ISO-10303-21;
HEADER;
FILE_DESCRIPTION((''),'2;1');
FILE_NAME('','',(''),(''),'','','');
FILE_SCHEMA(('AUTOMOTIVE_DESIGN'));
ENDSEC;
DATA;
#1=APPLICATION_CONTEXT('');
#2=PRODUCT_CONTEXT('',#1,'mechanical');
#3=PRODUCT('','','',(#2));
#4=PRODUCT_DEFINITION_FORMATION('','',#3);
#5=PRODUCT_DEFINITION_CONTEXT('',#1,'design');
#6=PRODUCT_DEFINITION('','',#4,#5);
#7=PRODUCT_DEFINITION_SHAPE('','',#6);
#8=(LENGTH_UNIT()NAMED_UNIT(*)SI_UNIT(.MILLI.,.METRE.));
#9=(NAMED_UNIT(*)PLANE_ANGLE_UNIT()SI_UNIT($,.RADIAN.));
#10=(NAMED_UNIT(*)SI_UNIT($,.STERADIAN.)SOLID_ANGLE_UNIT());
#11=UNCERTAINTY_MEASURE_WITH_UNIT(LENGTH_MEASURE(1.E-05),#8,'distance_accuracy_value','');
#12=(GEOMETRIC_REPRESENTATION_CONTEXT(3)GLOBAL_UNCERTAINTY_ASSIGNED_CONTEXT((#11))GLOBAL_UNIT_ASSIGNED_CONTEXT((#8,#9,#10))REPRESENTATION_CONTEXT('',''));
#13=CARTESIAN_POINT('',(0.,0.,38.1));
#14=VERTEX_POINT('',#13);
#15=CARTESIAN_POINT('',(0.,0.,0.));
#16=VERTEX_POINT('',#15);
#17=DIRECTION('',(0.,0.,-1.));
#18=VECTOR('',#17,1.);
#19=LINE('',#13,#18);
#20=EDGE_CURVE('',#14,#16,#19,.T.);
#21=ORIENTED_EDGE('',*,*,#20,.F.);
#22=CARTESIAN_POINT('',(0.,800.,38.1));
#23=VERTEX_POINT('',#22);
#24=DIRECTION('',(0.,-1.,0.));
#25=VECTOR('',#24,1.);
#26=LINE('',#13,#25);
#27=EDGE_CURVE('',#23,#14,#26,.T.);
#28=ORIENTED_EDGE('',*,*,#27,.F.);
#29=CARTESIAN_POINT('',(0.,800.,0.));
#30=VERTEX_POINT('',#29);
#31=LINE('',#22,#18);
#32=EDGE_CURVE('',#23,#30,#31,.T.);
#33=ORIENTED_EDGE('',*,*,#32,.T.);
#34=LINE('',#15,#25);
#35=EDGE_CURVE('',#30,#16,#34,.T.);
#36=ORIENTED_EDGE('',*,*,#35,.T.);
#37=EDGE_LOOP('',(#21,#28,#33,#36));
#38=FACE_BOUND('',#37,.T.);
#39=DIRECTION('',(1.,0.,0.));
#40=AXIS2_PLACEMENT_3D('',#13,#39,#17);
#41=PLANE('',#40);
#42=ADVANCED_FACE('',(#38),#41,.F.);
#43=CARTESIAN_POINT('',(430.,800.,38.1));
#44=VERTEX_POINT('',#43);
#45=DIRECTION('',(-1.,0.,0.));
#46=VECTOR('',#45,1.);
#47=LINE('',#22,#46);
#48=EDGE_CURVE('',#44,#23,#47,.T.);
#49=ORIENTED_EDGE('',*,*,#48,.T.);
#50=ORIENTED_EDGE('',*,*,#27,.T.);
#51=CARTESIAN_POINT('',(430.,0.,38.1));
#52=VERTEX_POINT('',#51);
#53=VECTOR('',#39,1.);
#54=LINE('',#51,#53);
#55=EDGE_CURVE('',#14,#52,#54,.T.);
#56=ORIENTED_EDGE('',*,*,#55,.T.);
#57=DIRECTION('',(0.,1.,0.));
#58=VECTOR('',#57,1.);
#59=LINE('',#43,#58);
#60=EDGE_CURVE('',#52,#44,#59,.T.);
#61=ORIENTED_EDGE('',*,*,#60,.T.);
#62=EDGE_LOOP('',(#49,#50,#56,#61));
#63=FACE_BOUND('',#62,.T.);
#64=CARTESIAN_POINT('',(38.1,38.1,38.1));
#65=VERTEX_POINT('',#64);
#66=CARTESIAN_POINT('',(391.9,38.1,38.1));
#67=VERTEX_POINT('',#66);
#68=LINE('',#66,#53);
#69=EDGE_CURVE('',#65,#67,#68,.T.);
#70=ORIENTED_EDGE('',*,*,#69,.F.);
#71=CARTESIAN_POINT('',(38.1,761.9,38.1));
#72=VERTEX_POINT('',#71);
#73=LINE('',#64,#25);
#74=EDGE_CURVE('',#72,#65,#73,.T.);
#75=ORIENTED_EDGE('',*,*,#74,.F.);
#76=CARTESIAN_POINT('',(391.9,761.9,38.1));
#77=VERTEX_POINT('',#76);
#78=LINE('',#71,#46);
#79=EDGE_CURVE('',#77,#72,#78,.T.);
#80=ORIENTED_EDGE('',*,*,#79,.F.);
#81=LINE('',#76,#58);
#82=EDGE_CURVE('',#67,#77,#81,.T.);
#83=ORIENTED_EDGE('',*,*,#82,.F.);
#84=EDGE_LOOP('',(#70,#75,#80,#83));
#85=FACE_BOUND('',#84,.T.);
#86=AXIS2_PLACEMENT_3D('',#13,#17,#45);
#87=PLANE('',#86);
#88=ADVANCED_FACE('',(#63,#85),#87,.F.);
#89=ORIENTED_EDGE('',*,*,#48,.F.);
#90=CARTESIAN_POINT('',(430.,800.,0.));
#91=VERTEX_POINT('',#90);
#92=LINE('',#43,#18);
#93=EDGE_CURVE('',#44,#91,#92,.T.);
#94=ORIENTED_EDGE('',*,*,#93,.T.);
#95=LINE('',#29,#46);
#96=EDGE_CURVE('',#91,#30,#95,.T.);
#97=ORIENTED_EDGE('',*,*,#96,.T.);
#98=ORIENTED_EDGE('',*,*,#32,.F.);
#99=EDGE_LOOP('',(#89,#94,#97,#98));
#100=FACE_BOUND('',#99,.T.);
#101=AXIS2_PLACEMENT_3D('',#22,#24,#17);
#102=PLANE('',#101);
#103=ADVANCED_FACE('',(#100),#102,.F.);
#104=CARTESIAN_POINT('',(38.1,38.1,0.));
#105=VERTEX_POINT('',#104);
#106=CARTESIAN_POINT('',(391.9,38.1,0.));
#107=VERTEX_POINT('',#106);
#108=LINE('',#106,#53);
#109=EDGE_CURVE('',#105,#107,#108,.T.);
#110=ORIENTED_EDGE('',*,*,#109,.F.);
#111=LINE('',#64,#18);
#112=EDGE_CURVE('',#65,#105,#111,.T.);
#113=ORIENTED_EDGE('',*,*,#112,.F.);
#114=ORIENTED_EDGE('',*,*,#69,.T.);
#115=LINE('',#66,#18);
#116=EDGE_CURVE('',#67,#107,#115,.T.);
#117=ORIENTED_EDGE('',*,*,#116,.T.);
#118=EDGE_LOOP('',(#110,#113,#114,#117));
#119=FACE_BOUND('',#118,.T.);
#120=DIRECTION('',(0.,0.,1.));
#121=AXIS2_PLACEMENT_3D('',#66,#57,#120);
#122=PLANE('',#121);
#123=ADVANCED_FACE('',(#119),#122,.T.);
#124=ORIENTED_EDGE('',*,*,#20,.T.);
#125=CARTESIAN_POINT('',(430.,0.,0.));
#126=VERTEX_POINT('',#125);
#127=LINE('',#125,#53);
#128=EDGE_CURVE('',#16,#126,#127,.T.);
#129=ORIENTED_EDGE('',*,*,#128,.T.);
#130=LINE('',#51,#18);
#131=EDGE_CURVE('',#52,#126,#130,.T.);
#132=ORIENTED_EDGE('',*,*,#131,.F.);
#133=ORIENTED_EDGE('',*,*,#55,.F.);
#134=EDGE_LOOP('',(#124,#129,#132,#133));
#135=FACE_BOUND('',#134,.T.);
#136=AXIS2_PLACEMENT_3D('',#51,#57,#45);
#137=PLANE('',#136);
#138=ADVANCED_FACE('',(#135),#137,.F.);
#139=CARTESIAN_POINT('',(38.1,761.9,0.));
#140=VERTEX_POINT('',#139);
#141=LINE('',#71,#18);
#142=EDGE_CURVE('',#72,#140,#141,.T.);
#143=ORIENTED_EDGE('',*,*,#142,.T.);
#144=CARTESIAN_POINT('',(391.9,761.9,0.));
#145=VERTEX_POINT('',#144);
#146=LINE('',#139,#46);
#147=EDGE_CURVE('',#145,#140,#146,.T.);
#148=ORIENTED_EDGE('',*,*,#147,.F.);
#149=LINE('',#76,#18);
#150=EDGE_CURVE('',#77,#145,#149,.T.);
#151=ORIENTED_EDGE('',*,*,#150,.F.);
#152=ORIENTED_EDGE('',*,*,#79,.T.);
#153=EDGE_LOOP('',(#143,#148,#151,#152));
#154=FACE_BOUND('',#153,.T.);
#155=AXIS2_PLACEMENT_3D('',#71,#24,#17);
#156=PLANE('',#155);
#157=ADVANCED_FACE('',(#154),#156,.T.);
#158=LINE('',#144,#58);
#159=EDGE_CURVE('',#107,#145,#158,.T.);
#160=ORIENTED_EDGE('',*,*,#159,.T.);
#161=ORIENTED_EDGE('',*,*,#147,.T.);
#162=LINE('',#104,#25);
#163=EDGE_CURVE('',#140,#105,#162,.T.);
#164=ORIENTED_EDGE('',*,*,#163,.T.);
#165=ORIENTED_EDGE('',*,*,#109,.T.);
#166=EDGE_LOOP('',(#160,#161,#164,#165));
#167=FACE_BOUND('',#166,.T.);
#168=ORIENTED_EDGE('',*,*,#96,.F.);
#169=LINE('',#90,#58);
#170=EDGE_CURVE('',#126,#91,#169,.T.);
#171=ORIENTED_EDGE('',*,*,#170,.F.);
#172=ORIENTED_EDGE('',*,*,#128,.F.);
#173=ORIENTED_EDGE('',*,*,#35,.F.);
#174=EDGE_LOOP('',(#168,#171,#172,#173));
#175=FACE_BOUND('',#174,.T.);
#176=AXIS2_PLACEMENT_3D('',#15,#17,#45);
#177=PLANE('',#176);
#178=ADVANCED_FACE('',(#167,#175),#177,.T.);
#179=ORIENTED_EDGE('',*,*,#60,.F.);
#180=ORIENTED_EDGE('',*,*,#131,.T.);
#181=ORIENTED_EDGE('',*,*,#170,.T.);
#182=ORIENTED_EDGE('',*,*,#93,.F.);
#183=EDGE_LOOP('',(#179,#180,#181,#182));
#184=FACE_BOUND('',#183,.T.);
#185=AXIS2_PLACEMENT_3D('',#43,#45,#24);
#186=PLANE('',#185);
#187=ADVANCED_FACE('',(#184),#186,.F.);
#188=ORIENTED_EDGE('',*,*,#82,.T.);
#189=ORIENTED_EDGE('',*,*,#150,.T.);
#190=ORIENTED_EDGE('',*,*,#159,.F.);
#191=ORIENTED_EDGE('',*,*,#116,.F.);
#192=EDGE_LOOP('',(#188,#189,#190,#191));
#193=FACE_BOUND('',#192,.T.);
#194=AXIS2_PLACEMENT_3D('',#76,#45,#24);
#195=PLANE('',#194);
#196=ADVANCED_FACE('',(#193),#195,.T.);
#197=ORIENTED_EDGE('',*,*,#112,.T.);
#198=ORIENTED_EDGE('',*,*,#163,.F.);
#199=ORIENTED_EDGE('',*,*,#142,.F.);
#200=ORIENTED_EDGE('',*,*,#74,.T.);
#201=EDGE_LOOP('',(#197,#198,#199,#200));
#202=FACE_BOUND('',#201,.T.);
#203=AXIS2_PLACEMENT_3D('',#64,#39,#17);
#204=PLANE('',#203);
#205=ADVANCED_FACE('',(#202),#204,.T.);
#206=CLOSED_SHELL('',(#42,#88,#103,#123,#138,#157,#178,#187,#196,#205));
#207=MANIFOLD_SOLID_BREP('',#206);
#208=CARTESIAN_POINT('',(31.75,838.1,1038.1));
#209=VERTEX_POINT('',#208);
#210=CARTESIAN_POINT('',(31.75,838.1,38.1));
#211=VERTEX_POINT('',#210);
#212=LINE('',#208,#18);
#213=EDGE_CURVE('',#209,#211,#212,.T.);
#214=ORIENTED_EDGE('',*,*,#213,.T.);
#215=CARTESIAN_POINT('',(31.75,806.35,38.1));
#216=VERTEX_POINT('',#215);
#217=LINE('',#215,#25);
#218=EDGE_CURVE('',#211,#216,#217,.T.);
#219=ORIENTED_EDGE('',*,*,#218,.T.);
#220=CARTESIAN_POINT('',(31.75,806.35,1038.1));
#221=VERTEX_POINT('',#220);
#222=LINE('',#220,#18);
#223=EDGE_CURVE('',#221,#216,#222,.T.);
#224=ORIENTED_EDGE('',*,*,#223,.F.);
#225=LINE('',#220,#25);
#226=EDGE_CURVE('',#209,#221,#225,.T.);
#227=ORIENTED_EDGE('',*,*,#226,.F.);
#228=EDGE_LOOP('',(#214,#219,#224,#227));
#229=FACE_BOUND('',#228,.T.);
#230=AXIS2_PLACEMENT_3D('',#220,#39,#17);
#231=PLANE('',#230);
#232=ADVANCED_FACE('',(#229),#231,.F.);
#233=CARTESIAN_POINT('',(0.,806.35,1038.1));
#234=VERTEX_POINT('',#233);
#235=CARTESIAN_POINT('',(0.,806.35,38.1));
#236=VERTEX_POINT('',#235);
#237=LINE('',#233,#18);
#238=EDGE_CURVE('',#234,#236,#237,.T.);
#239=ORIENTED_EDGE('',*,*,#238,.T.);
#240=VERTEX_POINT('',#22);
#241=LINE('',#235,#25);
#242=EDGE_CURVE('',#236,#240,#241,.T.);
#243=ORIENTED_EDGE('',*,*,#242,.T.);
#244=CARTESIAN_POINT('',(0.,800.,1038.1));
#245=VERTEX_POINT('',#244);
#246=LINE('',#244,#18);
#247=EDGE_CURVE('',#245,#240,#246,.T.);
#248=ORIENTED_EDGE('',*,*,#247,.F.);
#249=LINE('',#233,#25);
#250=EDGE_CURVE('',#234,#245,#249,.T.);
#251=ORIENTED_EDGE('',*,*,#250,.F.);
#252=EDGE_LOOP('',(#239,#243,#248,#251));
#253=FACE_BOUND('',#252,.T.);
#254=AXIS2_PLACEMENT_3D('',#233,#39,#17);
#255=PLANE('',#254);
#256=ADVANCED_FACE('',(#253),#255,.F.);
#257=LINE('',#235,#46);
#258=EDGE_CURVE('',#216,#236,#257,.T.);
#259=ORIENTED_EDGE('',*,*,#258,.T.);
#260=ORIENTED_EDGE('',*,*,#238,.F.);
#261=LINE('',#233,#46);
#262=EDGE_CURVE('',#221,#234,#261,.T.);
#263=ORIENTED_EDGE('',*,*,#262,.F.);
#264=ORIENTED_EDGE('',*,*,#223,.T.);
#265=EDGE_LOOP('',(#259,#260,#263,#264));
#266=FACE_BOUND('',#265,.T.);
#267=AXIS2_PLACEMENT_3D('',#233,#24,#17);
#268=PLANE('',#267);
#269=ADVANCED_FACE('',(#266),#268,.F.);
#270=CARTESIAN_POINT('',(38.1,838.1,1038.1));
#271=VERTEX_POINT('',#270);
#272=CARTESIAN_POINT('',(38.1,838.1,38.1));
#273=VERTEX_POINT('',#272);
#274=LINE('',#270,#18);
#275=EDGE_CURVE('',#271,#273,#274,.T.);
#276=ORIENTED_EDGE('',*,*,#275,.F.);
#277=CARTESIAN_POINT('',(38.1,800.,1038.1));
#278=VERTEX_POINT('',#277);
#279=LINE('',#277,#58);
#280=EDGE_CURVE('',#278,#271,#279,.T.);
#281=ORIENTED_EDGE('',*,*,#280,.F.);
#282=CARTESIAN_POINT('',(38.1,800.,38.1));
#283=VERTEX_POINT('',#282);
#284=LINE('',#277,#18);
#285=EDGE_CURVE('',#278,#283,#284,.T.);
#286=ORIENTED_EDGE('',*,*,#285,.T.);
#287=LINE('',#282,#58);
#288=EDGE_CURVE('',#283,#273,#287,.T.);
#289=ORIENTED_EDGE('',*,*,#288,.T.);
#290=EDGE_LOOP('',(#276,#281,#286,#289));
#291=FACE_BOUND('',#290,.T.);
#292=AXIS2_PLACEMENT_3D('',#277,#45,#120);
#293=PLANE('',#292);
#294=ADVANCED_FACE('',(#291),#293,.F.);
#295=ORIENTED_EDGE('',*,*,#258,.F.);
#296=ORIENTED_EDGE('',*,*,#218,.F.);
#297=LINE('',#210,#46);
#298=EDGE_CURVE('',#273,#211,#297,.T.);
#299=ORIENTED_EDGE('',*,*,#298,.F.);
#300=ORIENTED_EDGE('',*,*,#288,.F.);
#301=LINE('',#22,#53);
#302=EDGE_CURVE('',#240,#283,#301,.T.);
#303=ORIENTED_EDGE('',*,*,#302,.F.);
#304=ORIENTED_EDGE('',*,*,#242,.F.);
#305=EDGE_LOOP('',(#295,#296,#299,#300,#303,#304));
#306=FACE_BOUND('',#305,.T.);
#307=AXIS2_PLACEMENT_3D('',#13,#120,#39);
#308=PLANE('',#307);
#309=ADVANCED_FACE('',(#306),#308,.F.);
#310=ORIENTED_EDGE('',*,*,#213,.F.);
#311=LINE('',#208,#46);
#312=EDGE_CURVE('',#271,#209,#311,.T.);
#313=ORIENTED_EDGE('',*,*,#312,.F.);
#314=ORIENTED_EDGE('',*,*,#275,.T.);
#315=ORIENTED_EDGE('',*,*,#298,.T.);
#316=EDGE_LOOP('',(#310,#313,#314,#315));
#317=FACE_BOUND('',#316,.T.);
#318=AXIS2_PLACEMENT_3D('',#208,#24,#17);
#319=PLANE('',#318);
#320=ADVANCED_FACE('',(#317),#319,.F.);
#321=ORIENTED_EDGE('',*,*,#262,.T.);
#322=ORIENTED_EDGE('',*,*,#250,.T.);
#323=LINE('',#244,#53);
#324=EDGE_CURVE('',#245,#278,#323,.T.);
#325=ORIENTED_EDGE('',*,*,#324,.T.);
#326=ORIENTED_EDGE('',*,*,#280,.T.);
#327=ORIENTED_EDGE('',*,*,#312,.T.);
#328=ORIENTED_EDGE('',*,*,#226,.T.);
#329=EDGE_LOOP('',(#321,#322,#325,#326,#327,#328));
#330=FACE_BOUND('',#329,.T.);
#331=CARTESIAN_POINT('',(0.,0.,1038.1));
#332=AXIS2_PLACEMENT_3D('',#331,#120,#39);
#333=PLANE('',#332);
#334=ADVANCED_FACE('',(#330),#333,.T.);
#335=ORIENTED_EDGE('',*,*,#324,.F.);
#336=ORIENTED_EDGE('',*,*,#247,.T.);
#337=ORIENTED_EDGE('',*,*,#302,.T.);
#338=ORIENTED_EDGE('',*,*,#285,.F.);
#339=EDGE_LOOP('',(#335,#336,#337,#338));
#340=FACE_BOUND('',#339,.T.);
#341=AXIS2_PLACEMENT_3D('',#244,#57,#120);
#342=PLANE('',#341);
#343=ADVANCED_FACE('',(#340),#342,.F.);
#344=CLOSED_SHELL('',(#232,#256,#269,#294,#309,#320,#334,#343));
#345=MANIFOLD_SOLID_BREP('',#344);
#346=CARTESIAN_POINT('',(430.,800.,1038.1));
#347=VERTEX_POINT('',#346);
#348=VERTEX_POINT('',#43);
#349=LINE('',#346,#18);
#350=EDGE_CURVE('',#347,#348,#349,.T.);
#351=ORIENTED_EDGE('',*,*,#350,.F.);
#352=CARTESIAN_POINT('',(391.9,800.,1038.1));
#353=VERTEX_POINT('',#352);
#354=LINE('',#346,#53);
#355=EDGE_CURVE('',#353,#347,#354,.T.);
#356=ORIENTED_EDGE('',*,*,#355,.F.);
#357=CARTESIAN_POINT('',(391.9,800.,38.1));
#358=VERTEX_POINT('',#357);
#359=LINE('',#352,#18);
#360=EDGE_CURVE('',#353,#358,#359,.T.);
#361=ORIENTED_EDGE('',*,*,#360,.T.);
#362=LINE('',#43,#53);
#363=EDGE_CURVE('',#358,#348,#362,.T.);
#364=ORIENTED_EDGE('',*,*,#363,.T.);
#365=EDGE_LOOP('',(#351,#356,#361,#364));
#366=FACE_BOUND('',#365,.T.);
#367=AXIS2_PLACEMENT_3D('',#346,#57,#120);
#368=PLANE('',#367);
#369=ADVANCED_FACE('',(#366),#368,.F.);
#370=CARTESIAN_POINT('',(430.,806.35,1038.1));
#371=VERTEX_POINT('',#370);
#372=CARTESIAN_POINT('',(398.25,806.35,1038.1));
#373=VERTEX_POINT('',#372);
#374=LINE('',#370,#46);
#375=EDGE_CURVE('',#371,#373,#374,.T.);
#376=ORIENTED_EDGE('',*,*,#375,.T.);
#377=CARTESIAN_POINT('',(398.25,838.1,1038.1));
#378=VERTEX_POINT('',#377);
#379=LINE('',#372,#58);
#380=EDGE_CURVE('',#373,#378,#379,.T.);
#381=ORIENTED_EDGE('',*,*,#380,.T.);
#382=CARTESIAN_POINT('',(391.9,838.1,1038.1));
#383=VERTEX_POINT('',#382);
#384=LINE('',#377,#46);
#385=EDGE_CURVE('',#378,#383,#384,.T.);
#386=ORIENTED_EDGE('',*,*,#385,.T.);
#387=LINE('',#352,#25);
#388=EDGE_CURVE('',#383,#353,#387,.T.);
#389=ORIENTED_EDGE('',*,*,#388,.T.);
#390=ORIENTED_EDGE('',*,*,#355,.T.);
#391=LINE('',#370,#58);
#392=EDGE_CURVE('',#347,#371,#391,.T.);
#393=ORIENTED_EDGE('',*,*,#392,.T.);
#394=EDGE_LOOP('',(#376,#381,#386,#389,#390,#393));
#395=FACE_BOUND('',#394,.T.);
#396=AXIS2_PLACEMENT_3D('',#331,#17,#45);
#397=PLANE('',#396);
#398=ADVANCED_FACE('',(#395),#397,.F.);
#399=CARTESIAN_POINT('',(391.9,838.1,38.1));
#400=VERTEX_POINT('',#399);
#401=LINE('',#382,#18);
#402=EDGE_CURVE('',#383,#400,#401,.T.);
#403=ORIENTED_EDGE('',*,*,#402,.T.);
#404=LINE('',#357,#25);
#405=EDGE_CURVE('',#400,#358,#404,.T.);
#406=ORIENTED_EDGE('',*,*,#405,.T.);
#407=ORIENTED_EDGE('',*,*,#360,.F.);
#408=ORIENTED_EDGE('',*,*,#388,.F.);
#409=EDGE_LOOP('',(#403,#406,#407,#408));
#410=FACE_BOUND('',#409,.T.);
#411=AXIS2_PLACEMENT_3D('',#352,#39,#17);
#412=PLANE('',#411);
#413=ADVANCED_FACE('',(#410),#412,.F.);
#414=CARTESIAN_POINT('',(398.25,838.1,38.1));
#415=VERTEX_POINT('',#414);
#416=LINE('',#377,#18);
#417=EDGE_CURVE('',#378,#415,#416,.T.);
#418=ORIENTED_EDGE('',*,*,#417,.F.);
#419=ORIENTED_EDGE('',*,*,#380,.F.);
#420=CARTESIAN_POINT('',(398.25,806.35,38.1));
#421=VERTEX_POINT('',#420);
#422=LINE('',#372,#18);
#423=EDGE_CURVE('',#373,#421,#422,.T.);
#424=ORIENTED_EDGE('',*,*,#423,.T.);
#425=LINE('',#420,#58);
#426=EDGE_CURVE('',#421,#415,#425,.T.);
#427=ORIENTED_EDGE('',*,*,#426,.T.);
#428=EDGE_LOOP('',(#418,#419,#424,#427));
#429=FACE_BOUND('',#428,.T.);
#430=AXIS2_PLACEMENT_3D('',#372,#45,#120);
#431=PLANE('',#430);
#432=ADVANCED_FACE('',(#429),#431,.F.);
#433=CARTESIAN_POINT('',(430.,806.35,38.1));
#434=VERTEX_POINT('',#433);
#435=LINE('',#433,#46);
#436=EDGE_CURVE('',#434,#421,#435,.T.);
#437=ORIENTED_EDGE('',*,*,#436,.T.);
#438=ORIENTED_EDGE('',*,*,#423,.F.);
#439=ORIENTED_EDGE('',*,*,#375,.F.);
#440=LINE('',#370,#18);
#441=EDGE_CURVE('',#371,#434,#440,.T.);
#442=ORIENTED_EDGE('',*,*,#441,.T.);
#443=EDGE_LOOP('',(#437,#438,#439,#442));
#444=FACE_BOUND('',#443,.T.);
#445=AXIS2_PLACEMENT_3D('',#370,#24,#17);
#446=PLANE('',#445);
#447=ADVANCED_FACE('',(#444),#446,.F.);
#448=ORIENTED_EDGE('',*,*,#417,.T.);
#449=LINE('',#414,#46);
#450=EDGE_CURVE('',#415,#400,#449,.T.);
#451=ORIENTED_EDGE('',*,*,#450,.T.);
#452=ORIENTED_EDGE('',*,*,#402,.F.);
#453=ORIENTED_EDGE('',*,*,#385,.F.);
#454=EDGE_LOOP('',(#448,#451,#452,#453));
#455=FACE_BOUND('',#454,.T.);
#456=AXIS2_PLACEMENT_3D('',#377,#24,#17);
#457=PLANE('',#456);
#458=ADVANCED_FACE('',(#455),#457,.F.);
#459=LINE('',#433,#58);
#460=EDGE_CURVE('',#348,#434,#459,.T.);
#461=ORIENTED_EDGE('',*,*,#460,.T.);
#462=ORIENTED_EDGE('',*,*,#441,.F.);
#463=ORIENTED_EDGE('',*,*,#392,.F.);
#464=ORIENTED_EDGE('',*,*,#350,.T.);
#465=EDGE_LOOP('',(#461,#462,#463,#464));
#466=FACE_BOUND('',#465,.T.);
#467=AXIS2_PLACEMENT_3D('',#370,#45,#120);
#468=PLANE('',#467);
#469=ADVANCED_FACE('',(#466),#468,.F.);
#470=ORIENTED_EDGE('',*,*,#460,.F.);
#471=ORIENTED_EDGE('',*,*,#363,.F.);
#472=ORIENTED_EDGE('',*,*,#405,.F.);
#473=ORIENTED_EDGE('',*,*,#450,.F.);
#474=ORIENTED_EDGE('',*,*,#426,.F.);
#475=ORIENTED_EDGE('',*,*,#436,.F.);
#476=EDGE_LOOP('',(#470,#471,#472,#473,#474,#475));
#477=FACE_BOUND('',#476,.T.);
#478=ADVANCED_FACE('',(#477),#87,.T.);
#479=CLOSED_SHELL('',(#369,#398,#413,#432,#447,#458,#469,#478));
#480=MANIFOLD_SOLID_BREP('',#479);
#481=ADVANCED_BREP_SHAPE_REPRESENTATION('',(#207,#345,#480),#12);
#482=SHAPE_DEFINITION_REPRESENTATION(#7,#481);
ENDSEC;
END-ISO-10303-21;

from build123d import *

# Parameters (mm, degrees)
CROQUIS1_W                = 430
CROQUIS1_H                = 800
CROQUIS1_W_2              = 353.8
CROQUIS1_H_2              = 723.8
SALIENTE_EXTRUIR1_DEPTH   = 38.1
SALIENTE_EXTRUIR2_DEPTH   = 1000
SALIENTE_EXTRUIR2_2_DEPTH = 1000


with BuildPart() as part:
    # Croquis1 → Saliente-Extruir1 (new body)
    with BuildSketch(Plane.XY):
        with Locations((215, 400)):
            Rectangle(CROQUIS1_W, CROQUIS1_H)
        with Locations((215, 400)):
            Rectangle(CROQUIS1_W_2, CROQUIS1_H_2, mode=Mode.SUBTRACT)
    extrude(amount=SALIENTE_EXTRUIR1_DEPTH)


with BuildPart() as body_2:
    # Croquis3 → Saliente-Extruir2 (new body)
    with BuildSketch(Plane.XY.offset(38.1)):
        Polygon((0, 800), (38.1, 800), (38.1, 838.1), (31.75, 838.1), (31.75, 806.35), (0, 806.35), align=None)
    extrude(amount=SALIENTE_EXTRUIR2_DEPTH)


with BuildPart() as body_3:
    # Croquis3 → Saliente-Extruir2 2 (new body)
    with BuildSketch(Plane.XY.offset(38.1)):
        Polygon((398.25, 838.1), (391.9, 838.1), (391.9, 800), (430, 800), (430, 806.35), (398.25, 806.35), align=None)
    extrude(amount=SALIENTE_EXTRUIR2_2_DEPTH)


solid = Compound([part.part, body_2.part, body_3.part])
